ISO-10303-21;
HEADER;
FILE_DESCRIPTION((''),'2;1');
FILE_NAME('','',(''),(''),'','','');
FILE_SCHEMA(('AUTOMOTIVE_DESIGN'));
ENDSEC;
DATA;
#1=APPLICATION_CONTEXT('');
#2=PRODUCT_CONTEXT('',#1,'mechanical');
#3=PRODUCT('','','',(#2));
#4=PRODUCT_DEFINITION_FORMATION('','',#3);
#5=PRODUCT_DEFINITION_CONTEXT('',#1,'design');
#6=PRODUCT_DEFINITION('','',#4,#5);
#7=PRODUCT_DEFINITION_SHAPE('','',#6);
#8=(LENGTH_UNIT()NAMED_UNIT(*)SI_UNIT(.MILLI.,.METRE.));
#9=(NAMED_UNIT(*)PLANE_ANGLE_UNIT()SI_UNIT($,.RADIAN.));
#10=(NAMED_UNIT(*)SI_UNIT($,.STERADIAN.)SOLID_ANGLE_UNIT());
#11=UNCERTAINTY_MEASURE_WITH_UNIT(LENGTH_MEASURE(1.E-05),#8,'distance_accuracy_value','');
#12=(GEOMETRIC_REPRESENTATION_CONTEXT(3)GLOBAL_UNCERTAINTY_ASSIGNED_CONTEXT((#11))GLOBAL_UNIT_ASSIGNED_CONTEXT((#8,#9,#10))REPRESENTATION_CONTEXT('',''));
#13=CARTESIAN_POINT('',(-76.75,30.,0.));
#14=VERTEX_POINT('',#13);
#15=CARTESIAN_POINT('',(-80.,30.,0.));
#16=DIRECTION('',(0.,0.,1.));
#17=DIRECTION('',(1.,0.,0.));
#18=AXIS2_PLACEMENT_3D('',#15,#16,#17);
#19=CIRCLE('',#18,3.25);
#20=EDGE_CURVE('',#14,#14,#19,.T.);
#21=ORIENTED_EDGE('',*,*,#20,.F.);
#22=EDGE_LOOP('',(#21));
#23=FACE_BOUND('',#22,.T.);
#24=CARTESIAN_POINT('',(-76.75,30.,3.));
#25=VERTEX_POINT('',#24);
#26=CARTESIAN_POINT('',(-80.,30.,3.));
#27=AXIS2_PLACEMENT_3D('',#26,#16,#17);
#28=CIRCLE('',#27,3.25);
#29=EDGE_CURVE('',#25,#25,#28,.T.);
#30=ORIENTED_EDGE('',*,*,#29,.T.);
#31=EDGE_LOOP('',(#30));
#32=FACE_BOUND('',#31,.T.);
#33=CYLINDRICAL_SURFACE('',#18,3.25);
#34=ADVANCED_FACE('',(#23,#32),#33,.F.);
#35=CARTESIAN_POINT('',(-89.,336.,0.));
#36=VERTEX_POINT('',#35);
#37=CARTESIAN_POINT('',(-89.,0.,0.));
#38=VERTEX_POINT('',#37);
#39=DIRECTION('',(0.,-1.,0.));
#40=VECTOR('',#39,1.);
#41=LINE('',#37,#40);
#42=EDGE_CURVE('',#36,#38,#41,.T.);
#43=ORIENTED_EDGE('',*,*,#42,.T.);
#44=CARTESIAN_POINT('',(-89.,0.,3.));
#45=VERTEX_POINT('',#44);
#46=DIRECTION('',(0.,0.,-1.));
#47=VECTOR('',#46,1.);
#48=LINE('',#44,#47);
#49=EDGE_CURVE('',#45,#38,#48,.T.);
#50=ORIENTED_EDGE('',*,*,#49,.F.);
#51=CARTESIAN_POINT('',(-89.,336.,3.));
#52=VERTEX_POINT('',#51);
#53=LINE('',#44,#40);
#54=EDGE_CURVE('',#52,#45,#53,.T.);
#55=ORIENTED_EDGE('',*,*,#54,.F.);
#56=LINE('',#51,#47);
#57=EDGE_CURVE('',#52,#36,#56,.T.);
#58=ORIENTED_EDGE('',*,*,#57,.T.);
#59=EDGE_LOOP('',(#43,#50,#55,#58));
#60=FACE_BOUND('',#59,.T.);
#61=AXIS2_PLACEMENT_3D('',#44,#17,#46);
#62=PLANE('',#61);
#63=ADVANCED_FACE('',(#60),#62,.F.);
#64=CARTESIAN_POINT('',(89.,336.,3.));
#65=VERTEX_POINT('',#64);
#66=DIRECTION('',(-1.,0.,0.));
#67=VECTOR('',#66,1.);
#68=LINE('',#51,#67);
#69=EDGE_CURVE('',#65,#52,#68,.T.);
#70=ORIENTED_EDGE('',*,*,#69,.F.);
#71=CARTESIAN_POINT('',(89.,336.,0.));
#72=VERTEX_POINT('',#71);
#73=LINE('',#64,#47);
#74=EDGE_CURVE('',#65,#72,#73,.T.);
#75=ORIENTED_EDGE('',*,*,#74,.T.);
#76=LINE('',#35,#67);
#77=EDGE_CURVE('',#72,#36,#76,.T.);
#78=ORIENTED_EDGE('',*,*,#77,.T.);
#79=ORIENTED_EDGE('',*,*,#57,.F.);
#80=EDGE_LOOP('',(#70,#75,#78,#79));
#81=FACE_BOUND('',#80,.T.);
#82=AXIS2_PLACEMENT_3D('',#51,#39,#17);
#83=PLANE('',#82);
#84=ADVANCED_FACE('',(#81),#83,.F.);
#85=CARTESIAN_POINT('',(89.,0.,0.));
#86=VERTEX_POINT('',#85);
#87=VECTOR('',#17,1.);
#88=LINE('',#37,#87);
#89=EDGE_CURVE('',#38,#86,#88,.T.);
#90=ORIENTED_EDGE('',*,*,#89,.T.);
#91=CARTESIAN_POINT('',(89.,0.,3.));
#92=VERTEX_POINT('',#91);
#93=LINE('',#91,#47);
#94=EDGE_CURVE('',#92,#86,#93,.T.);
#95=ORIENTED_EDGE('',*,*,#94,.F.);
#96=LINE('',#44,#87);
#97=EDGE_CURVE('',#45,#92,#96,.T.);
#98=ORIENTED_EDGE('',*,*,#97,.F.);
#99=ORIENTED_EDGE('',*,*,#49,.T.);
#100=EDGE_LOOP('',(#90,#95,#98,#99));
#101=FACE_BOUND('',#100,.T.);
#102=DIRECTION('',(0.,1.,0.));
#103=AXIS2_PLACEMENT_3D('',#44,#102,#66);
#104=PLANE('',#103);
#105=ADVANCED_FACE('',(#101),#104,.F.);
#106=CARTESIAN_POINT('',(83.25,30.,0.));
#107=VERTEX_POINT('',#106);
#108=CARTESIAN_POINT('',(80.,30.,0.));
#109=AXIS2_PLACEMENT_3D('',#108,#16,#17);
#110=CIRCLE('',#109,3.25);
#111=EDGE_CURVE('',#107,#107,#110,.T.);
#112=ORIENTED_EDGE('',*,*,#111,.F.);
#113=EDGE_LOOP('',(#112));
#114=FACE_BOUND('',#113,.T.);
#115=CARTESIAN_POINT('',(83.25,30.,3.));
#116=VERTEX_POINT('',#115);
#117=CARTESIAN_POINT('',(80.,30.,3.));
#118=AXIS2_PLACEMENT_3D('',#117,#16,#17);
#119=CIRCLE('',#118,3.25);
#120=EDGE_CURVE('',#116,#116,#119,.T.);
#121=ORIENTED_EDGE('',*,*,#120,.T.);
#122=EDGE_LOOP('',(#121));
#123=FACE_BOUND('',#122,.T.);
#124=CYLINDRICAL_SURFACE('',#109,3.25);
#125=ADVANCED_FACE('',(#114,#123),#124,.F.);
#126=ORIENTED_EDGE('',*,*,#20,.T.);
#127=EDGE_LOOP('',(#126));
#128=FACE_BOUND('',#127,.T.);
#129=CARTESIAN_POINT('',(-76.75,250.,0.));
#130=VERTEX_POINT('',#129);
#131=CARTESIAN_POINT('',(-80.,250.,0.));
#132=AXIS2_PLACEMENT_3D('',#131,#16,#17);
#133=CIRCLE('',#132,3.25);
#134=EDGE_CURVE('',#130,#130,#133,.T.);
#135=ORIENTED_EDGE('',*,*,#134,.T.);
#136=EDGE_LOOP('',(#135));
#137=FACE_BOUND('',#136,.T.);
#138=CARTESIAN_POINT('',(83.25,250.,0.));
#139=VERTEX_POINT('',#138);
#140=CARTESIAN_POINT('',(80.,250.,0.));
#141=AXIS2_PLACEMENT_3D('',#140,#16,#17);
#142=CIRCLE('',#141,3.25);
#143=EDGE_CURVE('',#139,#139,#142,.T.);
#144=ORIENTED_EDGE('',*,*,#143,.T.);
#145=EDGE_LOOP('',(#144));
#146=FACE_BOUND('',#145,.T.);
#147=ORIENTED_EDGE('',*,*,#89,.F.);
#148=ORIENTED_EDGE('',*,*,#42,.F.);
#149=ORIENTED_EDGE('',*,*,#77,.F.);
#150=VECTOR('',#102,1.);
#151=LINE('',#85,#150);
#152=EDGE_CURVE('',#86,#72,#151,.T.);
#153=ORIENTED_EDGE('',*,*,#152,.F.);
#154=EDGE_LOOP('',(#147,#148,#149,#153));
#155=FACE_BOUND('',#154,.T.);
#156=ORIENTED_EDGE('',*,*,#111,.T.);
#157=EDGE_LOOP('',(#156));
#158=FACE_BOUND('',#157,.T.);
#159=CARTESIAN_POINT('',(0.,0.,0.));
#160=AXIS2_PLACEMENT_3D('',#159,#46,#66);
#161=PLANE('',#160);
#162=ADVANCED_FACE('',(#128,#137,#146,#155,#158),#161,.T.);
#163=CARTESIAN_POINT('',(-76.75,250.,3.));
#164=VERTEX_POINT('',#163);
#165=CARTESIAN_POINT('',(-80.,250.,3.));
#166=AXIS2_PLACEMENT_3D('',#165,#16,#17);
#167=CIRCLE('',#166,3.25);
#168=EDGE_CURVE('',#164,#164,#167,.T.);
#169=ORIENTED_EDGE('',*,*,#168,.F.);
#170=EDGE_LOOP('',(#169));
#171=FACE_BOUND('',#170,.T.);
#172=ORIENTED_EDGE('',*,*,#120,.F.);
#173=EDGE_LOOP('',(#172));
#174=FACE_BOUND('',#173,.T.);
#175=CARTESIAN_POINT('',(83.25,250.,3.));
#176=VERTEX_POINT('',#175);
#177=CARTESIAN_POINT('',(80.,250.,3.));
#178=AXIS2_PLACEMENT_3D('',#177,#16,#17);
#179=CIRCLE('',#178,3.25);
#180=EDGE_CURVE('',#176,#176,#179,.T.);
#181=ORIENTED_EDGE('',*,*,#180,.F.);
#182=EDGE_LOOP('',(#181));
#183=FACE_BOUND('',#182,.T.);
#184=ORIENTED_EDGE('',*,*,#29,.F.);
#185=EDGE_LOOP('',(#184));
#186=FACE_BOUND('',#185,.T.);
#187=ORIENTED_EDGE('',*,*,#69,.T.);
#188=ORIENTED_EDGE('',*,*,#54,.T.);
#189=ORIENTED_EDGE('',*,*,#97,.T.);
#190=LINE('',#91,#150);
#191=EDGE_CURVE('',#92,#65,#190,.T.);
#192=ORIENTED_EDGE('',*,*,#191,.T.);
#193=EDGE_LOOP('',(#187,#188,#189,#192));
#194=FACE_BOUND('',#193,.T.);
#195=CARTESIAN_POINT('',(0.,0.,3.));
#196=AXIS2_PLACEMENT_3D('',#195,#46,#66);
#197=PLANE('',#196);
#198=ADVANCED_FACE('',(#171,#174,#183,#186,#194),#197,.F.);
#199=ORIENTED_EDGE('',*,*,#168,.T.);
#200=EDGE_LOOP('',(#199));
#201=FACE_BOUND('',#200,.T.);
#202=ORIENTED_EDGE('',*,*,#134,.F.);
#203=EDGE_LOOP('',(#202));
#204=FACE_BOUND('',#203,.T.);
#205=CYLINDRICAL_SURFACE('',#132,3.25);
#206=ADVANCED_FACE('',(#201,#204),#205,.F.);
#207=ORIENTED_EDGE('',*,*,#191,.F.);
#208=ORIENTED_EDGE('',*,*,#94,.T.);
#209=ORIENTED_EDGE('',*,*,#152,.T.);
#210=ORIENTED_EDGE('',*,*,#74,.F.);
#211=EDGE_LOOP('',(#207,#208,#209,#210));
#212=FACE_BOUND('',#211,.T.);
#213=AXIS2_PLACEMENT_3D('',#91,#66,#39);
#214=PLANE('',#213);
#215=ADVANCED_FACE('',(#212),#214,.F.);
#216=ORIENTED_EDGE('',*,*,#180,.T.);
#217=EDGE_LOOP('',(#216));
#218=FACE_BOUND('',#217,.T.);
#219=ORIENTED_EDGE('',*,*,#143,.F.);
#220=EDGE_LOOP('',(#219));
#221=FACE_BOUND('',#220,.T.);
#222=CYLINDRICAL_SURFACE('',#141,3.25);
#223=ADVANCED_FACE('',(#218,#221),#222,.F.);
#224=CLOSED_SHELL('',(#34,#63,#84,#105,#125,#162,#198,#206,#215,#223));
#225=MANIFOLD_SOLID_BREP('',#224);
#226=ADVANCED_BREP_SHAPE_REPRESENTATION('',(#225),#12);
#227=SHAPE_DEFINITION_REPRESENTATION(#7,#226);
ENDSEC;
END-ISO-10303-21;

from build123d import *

# Parameters (mm, degrees)
SKETCH1_W               = 178
SKETCH1_H               = 336
BOSS_EXTRUDE1_DEPTH     = 3
CUT_EXTRUDE1_DEPTH      = 348.600345224
CUT_EXTRUDE1_DEPTH_BACK = 348.600345224
SKETCH2_R               = 3.25


with BuildPart() as part:
    # Sketch1 → Boss-Extrude1 (new body)
    with BuildSketch(Plane.XY):
        with Locations((0, 168)):
            Rectangle(SKETCH1_W, SKETCH1_H)
    extrude(amount=BOSS_EXTRUDE1_DEPTH)

    # Sketch2 → Cut-Extrude1 (cut, two sides: drawn at the far end of the back side and taken through both)
    with BuildSketch(Plane.XY.offset(3).offset(-CUT_EXTRUDE1_DEPTH_BACK)):
        with Locations((-80, 250)):
            Circle(SKETCH2_R)
        with Locations((80, 250)):
            Circle(SKETCH2_R)
        with Locations((80, 30)):
            Circle(SKETCH2_R)
        with Locations((-80, 30)):
            Circle(SKETCH2_R)
    extrude(amount=CUT_EXTRUDE1_DEPTH + CUT_EXTRUDE1_DEPTH_BACK, mode=Mode.SUBTRACT)


solid = part.part
